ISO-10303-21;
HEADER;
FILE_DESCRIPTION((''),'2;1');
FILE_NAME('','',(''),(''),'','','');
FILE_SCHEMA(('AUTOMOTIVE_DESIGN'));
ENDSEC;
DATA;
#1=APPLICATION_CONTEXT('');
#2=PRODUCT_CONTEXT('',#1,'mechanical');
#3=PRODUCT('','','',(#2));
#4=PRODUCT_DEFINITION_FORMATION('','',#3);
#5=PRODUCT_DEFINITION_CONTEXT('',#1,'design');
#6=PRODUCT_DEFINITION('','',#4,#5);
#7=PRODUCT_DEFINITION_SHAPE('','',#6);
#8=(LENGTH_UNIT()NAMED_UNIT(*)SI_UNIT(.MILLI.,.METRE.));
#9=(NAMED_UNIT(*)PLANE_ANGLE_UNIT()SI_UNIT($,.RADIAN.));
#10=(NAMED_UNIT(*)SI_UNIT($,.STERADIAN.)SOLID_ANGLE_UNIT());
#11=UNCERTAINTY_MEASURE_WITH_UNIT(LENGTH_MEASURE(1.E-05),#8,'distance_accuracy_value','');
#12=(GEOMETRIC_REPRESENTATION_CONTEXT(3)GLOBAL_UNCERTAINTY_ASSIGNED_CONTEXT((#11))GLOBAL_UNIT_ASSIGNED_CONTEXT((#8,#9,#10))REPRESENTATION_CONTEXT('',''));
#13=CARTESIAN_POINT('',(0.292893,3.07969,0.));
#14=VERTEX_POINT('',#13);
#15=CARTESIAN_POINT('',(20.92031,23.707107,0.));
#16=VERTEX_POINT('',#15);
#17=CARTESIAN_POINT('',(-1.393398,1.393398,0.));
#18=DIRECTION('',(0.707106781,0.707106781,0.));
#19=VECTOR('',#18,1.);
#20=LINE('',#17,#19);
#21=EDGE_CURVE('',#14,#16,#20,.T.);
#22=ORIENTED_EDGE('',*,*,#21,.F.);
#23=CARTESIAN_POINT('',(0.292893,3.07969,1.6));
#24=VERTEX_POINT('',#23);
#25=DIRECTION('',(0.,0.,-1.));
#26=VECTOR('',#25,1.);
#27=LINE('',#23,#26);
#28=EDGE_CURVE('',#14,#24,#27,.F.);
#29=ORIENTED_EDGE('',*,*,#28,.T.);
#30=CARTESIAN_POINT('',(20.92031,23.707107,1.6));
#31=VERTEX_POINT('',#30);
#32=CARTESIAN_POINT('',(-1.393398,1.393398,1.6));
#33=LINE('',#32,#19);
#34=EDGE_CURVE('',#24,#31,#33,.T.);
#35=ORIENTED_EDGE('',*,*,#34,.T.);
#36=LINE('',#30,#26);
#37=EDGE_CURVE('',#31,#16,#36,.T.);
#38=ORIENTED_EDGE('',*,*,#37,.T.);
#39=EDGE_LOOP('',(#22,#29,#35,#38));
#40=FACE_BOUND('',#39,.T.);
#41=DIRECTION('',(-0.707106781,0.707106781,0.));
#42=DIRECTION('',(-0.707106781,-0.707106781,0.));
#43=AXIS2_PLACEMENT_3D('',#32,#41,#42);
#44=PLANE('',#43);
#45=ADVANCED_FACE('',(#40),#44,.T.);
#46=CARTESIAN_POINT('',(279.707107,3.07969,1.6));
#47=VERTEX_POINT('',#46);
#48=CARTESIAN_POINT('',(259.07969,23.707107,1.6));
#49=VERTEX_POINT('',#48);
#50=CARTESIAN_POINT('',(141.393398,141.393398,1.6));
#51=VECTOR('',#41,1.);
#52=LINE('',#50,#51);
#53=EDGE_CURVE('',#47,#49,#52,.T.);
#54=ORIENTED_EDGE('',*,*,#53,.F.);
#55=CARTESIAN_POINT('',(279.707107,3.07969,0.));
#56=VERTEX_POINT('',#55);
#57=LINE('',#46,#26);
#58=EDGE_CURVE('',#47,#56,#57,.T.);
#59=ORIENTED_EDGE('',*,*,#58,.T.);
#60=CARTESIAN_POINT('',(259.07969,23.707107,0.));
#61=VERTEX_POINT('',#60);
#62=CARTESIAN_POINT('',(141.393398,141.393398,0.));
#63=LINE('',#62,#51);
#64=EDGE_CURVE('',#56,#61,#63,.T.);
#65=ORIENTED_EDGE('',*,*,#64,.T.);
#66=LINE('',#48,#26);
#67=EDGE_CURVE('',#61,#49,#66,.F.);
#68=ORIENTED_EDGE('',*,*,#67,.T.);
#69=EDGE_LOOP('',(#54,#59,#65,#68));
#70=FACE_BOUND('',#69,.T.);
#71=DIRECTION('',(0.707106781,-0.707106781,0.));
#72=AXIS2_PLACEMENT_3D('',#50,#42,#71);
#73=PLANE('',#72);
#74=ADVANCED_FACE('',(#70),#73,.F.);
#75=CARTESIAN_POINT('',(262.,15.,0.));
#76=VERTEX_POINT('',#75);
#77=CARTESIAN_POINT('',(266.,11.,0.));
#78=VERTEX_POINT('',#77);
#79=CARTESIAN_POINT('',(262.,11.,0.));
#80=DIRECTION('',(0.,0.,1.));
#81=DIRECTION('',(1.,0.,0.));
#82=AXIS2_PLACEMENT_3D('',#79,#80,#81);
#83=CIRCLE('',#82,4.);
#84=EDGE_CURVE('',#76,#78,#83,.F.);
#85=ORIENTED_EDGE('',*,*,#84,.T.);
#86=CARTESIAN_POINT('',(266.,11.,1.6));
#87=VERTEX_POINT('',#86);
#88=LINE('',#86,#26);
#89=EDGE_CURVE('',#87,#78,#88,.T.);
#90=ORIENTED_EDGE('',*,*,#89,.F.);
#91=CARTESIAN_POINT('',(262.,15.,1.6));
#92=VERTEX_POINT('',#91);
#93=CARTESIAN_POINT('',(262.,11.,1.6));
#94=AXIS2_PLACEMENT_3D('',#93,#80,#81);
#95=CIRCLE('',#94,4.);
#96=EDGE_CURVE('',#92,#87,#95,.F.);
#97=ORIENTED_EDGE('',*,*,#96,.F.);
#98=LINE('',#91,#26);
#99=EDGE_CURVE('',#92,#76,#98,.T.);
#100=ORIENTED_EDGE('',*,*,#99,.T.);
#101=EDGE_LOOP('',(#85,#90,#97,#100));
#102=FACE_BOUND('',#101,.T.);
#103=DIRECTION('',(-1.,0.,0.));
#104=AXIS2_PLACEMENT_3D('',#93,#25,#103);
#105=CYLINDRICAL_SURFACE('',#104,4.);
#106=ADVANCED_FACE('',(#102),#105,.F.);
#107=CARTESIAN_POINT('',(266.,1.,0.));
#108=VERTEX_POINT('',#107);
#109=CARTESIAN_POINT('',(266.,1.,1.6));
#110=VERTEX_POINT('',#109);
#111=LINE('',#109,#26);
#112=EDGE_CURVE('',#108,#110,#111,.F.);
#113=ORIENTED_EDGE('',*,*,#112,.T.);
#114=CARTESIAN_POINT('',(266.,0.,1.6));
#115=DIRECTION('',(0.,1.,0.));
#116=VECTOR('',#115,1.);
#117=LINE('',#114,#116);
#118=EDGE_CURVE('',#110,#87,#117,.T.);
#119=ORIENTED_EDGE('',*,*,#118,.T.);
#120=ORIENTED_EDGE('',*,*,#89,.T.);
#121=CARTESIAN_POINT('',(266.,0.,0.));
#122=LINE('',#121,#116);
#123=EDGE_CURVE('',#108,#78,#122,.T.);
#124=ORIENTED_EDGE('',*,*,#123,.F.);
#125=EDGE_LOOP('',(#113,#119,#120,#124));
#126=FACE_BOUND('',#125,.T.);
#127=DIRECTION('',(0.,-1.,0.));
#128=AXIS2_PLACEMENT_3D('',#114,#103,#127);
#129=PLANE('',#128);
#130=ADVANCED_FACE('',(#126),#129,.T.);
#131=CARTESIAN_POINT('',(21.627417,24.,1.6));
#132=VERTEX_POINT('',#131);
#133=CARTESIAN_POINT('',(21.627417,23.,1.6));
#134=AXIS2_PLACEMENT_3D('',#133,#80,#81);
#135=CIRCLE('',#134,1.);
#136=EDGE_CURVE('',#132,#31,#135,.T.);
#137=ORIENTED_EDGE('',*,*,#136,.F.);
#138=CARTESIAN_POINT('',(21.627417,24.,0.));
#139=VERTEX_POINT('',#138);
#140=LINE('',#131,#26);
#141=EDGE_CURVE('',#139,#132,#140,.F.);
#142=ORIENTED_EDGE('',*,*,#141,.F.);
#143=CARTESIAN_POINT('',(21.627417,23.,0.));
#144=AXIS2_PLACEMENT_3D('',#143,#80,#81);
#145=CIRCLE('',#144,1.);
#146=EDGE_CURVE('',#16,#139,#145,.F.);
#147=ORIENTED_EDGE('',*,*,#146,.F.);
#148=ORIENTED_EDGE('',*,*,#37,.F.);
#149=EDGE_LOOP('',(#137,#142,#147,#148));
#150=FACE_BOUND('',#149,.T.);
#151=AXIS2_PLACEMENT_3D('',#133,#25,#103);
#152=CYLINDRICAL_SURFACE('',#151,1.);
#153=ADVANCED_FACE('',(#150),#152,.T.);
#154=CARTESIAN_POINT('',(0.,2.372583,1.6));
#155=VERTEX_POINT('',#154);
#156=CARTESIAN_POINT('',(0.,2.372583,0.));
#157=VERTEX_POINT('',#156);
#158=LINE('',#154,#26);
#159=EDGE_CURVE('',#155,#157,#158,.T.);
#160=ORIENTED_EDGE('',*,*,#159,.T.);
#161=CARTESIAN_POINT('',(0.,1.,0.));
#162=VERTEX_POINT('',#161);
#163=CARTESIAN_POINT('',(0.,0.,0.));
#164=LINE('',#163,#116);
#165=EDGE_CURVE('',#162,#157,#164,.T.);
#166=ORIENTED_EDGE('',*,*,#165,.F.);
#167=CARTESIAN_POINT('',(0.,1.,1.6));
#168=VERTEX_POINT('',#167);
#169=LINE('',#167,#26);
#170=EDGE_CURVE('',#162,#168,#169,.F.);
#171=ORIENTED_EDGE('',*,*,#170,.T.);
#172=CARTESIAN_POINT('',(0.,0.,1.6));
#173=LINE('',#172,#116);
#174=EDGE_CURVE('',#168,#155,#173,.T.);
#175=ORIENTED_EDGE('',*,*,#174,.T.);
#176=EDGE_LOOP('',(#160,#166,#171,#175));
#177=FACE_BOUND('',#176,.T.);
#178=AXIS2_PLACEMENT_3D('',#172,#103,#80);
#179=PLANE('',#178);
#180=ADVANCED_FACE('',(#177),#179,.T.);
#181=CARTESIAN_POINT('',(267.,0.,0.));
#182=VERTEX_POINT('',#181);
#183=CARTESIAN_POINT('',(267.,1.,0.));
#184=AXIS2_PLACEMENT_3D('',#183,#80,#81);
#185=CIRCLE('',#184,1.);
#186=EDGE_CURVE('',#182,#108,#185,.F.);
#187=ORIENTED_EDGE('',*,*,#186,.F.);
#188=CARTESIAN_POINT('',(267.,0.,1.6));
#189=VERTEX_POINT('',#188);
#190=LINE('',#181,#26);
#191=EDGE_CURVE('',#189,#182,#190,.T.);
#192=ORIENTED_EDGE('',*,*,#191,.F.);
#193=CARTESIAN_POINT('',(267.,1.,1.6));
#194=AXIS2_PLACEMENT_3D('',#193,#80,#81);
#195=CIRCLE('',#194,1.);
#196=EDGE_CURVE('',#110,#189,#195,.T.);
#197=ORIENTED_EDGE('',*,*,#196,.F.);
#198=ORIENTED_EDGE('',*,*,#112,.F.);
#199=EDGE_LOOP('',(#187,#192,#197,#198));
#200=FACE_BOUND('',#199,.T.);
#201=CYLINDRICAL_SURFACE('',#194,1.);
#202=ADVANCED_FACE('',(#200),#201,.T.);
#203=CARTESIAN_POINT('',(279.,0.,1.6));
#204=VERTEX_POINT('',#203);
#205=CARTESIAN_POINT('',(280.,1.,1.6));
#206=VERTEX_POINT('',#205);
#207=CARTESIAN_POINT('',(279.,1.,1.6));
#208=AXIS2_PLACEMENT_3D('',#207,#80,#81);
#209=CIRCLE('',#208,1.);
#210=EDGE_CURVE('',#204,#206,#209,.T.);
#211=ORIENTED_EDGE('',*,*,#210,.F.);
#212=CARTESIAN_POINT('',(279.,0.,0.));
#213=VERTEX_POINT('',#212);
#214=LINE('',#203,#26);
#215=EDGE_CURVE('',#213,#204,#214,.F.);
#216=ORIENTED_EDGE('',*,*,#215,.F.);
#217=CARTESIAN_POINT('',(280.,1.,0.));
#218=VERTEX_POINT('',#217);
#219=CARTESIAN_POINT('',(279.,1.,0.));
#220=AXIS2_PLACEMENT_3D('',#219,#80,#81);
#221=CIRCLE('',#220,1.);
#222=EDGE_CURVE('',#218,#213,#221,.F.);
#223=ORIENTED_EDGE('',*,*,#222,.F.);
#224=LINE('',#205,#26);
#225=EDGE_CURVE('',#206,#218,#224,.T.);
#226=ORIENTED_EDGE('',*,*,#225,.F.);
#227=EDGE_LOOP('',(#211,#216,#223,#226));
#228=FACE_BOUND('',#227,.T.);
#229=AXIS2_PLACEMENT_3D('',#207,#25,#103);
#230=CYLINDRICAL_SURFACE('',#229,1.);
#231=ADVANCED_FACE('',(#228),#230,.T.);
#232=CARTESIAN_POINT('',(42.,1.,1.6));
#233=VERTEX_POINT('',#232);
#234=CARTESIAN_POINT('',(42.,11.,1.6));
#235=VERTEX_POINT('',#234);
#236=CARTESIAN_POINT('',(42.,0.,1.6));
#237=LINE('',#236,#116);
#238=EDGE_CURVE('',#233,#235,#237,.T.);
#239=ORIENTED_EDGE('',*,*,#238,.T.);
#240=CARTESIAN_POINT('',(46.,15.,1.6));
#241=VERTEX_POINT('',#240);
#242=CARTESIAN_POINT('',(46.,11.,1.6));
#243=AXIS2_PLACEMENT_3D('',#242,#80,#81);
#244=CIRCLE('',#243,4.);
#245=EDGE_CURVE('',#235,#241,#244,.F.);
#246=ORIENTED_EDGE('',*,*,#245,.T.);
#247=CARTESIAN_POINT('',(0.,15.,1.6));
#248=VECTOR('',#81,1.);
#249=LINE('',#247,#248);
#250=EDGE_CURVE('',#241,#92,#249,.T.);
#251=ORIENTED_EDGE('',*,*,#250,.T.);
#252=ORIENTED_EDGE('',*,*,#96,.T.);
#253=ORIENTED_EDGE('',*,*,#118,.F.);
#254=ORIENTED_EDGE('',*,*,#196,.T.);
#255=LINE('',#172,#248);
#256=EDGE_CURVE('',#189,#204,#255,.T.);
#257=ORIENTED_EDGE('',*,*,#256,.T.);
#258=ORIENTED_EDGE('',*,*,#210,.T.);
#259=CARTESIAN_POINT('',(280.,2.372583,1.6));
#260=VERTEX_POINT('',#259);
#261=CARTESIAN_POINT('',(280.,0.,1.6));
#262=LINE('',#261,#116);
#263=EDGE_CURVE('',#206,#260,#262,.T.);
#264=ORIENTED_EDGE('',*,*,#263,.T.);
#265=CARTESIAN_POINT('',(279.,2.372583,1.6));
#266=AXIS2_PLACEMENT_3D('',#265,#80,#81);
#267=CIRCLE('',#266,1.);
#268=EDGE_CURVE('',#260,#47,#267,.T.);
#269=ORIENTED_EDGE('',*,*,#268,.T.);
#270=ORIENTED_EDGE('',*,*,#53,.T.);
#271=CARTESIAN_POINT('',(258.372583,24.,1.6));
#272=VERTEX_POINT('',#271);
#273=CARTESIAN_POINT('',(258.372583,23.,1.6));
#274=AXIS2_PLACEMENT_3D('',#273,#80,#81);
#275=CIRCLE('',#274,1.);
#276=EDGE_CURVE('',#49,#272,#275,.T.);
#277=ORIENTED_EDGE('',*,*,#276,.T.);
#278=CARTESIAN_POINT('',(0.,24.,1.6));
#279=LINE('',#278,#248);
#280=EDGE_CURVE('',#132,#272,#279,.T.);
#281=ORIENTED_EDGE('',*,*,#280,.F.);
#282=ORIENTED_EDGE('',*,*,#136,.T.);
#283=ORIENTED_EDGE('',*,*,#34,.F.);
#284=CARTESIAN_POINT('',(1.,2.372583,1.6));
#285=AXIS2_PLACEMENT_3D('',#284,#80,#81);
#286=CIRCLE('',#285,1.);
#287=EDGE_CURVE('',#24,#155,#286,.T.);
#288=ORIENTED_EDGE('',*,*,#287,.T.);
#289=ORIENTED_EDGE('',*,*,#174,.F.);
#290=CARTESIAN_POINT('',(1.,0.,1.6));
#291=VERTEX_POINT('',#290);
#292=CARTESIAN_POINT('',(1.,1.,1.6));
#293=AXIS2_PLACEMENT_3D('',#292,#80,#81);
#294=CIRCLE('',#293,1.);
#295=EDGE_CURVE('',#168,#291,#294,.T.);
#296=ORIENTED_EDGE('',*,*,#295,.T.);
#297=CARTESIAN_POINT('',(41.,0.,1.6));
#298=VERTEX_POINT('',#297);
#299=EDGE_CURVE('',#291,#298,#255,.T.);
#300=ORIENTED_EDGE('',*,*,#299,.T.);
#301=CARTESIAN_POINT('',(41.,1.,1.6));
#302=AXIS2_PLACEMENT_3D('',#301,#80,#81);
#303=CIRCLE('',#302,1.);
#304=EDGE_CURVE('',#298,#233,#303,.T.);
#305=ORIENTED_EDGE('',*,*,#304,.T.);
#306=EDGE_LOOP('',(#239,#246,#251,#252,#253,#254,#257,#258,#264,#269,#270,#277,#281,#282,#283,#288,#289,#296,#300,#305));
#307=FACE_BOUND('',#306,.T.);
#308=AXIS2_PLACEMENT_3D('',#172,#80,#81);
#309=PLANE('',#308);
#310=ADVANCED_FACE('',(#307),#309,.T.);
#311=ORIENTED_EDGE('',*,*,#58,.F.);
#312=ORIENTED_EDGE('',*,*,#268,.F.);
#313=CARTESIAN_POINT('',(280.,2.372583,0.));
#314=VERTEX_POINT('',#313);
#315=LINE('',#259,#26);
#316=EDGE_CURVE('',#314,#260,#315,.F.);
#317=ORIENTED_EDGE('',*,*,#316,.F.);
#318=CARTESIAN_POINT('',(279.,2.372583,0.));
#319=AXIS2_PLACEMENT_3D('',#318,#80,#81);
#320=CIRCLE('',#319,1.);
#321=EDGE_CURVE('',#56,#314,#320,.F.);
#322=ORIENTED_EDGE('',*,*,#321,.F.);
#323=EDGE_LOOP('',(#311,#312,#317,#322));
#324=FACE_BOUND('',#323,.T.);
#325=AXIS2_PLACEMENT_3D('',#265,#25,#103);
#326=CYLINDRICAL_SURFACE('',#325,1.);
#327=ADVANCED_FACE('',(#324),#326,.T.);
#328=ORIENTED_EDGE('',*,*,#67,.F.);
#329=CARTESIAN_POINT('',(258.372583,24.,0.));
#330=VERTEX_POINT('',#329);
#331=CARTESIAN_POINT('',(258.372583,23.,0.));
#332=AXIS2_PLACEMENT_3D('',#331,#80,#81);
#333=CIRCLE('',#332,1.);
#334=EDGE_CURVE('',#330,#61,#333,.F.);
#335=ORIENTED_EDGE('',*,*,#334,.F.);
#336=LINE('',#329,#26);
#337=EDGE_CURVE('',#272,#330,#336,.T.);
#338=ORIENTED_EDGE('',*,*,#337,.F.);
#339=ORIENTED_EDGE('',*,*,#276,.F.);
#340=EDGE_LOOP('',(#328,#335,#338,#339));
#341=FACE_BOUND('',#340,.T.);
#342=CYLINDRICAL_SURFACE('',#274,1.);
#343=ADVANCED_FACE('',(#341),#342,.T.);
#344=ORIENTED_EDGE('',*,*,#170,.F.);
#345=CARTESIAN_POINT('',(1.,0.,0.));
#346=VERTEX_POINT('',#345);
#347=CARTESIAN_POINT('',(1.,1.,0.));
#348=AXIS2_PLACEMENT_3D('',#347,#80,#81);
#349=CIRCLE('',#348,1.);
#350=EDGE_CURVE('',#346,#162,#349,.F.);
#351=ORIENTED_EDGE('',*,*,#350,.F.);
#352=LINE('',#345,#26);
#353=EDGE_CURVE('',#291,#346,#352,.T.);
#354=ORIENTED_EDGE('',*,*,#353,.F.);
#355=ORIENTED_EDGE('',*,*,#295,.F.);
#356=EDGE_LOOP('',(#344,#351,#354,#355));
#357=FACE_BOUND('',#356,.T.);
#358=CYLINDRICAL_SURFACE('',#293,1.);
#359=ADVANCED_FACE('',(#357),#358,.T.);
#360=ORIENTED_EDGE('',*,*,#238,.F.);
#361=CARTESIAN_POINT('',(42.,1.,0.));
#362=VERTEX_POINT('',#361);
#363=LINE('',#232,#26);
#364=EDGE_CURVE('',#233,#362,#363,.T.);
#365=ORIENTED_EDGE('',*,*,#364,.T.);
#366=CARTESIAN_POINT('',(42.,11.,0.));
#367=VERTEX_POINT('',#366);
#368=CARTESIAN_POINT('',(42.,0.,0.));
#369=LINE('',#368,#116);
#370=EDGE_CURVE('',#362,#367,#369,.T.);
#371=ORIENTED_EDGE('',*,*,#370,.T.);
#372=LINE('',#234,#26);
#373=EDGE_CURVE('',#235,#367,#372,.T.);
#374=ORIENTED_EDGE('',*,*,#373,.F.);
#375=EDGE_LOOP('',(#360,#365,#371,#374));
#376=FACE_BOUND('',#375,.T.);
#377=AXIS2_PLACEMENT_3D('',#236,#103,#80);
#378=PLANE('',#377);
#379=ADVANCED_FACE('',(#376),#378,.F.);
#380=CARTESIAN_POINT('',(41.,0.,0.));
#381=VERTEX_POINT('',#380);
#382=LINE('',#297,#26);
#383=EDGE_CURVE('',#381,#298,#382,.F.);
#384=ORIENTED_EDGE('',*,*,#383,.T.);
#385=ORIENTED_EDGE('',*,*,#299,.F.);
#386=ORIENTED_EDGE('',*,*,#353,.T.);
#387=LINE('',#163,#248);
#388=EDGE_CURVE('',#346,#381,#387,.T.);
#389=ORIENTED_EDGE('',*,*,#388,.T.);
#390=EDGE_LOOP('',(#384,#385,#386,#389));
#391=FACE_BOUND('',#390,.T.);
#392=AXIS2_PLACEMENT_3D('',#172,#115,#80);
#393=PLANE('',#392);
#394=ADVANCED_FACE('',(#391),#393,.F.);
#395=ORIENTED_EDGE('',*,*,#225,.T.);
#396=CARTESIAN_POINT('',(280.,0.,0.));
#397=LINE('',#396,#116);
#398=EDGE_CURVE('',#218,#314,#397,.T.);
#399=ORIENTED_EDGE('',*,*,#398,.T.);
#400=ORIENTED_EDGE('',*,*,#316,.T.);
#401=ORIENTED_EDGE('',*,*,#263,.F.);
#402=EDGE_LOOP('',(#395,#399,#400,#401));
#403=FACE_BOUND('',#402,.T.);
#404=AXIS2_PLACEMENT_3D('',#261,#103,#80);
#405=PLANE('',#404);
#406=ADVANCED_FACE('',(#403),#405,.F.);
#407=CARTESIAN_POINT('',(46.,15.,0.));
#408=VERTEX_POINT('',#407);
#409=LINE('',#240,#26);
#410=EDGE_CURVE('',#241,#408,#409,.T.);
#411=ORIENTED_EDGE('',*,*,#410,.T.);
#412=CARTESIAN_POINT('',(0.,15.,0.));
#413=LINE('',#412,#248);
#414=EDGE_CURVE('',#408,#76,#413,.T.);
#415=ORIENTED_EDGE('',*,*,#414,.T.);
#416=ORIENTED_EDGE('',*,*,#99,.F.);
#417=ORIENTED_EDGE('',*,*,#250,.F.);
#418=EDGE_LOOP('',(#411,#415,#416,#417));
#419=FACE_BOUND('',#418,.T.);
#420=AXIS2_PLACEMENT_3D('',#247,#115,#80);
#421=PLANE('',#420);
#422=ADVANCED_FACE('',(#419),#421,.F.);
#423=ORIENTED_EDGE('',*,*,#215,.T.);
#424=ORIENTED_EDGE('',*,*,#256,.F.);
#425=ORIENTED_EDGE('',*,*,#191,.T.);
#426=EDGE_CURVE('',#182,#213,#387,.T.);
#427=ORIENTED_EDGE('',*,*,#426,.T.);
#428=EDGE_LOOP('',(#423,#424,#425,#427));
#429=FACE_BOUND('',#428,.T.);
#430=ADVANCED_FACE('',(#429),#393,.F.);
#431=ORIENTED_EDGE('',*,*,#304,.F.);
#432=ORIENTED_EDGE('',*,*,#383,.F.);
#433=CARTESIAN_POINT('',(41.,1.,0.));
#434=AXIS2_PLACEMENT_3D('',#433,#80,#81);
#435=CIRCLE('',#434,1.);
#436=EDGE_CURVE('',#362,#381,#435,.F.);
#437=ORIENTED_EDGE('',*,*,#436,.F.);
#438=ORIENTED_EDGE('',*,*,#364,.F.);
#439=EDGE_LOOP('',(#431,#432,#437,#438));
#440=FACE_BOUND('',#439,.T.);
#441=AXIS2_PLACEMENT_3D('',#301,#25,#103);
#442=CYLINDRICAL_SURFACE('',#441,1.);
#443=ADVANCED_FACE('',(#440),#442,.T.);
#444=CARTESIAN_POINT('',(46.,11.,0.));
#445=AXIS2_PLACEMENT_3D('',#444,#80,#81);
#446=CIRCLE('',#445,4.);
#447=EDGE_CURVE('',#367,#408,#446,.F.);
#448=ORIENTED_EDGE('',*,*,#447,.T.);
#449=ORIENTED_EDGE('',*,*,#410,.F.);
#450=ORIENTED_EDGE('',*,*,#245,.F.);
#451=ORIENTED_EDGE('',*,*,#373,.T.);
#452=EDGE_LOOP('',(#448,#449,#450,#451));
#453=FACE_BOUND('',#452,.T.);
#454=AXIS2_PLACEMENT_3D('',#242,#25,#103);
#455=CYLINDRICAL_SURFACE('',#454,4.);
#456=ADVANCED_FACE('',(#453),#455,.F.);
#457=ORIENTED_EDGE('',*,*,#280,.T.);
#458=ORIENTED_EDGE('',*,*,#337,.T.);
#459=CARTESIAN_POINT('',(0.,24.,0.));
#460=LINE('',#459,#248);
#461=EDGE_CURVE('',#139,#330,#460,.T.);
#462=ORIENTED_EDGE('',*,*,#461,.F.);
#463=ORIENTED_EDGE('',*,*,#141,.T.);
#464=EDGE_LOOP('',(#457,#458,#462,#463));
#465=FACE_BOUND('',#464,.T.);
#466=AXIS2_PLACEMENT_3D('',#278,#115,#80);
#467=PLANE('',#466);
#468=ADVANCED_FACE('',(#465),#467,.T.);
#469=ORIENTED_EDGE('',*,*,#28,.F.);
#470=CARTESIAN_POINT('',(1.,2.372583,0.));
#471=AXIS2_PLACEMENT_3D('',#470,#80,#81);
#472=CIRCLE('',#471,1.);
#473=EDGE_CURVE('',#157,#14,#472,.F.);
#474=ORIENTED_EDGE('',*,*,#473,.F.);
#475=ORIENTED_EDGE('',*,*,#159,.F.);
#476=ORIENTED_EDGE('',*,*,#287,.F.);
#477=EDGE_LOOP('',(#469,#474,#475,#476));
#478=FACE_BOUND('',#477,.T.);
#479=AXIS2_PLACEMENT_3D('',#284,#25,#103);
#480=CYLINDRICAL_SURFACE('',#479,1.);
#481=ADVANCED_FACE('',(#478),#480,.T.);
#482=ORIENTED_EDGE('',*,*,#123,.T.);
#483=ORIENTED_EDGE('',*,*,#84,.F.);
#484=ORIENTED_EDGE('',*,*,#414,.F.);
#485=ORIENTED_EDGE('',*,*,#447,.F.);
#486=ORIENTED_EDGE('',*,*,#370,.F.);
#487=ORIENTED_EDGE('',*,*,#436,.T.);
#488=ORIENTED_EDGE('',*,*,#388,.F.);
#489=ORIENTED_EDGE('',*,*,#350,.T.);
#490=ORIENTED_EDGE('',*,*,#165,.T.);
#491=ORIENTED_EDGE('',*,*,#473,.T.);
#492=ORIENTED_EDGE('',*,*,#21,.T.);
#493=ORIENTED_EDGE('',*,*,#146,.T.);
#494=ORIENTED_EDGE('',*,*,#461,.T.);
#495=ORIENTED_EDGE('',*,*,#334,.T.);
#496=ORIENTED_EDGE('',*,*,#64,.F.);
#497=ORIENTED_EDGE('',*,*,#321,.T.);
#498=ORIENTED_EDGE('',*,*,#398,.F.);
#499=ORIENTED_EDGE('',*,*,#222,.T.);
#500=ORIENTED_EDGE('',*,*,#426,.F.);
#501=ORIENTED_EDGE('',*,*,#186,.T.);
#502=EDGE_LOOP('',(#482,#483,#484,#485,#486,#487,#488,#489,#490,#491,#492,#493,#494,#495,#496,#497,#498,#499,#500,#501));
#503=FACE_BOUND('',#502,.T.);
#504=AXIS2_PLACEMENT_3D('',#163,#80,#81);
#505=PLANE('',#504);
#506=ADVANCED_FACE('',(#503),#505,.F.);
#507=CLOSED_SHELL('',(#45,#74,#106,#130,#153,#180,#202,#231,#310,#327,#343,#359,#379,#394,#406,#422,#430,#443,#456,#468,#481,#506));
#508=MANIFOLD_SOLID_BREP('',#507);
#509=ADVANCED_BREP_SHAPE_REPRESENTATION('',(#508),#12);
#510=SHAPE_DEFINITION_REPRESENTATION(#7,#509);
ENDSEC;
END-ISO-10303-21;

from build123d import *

# Parameters (mm, degrees)
BOSS_EXTRUDE1_DEPTH = 1.6
FILLET1_R           = 1


with BuildPart() as part:
    # Sketch1 → Boss-Extrude1 (new body)
    with BuildSketch(Plane.XY):
        with BuildLine():
            Line((21.213203436, 24), (0, 2.786796564))
            Line((0, 2.786796564), (0, 0))
            Line((0, 0), (42, 0))
            Line((42, 0), (42, 11))
            ThreePointArc((42, 11), (43.171572875, 13.828427125), (46, 15))
            Line((46, 15), (262, 15))
            ThreePointArc((262, 15), (264.828427125, 13.828427125), (266, 11))
            Line((266, 11), (266, 0))
            Line((266, 0), (280, 0))
            Line((280, 0), (280, 2.786796564))
            Line((280, 2.786796564), (258.786796564, 24))
            Line((258.786796564, 24), (21.213203436, 24))
        make_face()
    extrude(amount=BOSS_EXTRUDE1_DEPTH)

    # Fillet1
    fillet1_edges = [part.edges().sort_by_distance(p)[0] for p in [
        (42, 0, 0.8),
        (0, 0, 0.8),
        (0, 2.786796564, 0.8),
        (21.213203436, 24, 0.8),
        (258.786796564, 24, 0.8),
        (280, 2.786796564, 0.8),
        (280, 0, 0.8),
        (266, 0, 0.8),
    ]]
    fillet(fillet1_edges, radius=FILLET1_R)


solid = part.part
